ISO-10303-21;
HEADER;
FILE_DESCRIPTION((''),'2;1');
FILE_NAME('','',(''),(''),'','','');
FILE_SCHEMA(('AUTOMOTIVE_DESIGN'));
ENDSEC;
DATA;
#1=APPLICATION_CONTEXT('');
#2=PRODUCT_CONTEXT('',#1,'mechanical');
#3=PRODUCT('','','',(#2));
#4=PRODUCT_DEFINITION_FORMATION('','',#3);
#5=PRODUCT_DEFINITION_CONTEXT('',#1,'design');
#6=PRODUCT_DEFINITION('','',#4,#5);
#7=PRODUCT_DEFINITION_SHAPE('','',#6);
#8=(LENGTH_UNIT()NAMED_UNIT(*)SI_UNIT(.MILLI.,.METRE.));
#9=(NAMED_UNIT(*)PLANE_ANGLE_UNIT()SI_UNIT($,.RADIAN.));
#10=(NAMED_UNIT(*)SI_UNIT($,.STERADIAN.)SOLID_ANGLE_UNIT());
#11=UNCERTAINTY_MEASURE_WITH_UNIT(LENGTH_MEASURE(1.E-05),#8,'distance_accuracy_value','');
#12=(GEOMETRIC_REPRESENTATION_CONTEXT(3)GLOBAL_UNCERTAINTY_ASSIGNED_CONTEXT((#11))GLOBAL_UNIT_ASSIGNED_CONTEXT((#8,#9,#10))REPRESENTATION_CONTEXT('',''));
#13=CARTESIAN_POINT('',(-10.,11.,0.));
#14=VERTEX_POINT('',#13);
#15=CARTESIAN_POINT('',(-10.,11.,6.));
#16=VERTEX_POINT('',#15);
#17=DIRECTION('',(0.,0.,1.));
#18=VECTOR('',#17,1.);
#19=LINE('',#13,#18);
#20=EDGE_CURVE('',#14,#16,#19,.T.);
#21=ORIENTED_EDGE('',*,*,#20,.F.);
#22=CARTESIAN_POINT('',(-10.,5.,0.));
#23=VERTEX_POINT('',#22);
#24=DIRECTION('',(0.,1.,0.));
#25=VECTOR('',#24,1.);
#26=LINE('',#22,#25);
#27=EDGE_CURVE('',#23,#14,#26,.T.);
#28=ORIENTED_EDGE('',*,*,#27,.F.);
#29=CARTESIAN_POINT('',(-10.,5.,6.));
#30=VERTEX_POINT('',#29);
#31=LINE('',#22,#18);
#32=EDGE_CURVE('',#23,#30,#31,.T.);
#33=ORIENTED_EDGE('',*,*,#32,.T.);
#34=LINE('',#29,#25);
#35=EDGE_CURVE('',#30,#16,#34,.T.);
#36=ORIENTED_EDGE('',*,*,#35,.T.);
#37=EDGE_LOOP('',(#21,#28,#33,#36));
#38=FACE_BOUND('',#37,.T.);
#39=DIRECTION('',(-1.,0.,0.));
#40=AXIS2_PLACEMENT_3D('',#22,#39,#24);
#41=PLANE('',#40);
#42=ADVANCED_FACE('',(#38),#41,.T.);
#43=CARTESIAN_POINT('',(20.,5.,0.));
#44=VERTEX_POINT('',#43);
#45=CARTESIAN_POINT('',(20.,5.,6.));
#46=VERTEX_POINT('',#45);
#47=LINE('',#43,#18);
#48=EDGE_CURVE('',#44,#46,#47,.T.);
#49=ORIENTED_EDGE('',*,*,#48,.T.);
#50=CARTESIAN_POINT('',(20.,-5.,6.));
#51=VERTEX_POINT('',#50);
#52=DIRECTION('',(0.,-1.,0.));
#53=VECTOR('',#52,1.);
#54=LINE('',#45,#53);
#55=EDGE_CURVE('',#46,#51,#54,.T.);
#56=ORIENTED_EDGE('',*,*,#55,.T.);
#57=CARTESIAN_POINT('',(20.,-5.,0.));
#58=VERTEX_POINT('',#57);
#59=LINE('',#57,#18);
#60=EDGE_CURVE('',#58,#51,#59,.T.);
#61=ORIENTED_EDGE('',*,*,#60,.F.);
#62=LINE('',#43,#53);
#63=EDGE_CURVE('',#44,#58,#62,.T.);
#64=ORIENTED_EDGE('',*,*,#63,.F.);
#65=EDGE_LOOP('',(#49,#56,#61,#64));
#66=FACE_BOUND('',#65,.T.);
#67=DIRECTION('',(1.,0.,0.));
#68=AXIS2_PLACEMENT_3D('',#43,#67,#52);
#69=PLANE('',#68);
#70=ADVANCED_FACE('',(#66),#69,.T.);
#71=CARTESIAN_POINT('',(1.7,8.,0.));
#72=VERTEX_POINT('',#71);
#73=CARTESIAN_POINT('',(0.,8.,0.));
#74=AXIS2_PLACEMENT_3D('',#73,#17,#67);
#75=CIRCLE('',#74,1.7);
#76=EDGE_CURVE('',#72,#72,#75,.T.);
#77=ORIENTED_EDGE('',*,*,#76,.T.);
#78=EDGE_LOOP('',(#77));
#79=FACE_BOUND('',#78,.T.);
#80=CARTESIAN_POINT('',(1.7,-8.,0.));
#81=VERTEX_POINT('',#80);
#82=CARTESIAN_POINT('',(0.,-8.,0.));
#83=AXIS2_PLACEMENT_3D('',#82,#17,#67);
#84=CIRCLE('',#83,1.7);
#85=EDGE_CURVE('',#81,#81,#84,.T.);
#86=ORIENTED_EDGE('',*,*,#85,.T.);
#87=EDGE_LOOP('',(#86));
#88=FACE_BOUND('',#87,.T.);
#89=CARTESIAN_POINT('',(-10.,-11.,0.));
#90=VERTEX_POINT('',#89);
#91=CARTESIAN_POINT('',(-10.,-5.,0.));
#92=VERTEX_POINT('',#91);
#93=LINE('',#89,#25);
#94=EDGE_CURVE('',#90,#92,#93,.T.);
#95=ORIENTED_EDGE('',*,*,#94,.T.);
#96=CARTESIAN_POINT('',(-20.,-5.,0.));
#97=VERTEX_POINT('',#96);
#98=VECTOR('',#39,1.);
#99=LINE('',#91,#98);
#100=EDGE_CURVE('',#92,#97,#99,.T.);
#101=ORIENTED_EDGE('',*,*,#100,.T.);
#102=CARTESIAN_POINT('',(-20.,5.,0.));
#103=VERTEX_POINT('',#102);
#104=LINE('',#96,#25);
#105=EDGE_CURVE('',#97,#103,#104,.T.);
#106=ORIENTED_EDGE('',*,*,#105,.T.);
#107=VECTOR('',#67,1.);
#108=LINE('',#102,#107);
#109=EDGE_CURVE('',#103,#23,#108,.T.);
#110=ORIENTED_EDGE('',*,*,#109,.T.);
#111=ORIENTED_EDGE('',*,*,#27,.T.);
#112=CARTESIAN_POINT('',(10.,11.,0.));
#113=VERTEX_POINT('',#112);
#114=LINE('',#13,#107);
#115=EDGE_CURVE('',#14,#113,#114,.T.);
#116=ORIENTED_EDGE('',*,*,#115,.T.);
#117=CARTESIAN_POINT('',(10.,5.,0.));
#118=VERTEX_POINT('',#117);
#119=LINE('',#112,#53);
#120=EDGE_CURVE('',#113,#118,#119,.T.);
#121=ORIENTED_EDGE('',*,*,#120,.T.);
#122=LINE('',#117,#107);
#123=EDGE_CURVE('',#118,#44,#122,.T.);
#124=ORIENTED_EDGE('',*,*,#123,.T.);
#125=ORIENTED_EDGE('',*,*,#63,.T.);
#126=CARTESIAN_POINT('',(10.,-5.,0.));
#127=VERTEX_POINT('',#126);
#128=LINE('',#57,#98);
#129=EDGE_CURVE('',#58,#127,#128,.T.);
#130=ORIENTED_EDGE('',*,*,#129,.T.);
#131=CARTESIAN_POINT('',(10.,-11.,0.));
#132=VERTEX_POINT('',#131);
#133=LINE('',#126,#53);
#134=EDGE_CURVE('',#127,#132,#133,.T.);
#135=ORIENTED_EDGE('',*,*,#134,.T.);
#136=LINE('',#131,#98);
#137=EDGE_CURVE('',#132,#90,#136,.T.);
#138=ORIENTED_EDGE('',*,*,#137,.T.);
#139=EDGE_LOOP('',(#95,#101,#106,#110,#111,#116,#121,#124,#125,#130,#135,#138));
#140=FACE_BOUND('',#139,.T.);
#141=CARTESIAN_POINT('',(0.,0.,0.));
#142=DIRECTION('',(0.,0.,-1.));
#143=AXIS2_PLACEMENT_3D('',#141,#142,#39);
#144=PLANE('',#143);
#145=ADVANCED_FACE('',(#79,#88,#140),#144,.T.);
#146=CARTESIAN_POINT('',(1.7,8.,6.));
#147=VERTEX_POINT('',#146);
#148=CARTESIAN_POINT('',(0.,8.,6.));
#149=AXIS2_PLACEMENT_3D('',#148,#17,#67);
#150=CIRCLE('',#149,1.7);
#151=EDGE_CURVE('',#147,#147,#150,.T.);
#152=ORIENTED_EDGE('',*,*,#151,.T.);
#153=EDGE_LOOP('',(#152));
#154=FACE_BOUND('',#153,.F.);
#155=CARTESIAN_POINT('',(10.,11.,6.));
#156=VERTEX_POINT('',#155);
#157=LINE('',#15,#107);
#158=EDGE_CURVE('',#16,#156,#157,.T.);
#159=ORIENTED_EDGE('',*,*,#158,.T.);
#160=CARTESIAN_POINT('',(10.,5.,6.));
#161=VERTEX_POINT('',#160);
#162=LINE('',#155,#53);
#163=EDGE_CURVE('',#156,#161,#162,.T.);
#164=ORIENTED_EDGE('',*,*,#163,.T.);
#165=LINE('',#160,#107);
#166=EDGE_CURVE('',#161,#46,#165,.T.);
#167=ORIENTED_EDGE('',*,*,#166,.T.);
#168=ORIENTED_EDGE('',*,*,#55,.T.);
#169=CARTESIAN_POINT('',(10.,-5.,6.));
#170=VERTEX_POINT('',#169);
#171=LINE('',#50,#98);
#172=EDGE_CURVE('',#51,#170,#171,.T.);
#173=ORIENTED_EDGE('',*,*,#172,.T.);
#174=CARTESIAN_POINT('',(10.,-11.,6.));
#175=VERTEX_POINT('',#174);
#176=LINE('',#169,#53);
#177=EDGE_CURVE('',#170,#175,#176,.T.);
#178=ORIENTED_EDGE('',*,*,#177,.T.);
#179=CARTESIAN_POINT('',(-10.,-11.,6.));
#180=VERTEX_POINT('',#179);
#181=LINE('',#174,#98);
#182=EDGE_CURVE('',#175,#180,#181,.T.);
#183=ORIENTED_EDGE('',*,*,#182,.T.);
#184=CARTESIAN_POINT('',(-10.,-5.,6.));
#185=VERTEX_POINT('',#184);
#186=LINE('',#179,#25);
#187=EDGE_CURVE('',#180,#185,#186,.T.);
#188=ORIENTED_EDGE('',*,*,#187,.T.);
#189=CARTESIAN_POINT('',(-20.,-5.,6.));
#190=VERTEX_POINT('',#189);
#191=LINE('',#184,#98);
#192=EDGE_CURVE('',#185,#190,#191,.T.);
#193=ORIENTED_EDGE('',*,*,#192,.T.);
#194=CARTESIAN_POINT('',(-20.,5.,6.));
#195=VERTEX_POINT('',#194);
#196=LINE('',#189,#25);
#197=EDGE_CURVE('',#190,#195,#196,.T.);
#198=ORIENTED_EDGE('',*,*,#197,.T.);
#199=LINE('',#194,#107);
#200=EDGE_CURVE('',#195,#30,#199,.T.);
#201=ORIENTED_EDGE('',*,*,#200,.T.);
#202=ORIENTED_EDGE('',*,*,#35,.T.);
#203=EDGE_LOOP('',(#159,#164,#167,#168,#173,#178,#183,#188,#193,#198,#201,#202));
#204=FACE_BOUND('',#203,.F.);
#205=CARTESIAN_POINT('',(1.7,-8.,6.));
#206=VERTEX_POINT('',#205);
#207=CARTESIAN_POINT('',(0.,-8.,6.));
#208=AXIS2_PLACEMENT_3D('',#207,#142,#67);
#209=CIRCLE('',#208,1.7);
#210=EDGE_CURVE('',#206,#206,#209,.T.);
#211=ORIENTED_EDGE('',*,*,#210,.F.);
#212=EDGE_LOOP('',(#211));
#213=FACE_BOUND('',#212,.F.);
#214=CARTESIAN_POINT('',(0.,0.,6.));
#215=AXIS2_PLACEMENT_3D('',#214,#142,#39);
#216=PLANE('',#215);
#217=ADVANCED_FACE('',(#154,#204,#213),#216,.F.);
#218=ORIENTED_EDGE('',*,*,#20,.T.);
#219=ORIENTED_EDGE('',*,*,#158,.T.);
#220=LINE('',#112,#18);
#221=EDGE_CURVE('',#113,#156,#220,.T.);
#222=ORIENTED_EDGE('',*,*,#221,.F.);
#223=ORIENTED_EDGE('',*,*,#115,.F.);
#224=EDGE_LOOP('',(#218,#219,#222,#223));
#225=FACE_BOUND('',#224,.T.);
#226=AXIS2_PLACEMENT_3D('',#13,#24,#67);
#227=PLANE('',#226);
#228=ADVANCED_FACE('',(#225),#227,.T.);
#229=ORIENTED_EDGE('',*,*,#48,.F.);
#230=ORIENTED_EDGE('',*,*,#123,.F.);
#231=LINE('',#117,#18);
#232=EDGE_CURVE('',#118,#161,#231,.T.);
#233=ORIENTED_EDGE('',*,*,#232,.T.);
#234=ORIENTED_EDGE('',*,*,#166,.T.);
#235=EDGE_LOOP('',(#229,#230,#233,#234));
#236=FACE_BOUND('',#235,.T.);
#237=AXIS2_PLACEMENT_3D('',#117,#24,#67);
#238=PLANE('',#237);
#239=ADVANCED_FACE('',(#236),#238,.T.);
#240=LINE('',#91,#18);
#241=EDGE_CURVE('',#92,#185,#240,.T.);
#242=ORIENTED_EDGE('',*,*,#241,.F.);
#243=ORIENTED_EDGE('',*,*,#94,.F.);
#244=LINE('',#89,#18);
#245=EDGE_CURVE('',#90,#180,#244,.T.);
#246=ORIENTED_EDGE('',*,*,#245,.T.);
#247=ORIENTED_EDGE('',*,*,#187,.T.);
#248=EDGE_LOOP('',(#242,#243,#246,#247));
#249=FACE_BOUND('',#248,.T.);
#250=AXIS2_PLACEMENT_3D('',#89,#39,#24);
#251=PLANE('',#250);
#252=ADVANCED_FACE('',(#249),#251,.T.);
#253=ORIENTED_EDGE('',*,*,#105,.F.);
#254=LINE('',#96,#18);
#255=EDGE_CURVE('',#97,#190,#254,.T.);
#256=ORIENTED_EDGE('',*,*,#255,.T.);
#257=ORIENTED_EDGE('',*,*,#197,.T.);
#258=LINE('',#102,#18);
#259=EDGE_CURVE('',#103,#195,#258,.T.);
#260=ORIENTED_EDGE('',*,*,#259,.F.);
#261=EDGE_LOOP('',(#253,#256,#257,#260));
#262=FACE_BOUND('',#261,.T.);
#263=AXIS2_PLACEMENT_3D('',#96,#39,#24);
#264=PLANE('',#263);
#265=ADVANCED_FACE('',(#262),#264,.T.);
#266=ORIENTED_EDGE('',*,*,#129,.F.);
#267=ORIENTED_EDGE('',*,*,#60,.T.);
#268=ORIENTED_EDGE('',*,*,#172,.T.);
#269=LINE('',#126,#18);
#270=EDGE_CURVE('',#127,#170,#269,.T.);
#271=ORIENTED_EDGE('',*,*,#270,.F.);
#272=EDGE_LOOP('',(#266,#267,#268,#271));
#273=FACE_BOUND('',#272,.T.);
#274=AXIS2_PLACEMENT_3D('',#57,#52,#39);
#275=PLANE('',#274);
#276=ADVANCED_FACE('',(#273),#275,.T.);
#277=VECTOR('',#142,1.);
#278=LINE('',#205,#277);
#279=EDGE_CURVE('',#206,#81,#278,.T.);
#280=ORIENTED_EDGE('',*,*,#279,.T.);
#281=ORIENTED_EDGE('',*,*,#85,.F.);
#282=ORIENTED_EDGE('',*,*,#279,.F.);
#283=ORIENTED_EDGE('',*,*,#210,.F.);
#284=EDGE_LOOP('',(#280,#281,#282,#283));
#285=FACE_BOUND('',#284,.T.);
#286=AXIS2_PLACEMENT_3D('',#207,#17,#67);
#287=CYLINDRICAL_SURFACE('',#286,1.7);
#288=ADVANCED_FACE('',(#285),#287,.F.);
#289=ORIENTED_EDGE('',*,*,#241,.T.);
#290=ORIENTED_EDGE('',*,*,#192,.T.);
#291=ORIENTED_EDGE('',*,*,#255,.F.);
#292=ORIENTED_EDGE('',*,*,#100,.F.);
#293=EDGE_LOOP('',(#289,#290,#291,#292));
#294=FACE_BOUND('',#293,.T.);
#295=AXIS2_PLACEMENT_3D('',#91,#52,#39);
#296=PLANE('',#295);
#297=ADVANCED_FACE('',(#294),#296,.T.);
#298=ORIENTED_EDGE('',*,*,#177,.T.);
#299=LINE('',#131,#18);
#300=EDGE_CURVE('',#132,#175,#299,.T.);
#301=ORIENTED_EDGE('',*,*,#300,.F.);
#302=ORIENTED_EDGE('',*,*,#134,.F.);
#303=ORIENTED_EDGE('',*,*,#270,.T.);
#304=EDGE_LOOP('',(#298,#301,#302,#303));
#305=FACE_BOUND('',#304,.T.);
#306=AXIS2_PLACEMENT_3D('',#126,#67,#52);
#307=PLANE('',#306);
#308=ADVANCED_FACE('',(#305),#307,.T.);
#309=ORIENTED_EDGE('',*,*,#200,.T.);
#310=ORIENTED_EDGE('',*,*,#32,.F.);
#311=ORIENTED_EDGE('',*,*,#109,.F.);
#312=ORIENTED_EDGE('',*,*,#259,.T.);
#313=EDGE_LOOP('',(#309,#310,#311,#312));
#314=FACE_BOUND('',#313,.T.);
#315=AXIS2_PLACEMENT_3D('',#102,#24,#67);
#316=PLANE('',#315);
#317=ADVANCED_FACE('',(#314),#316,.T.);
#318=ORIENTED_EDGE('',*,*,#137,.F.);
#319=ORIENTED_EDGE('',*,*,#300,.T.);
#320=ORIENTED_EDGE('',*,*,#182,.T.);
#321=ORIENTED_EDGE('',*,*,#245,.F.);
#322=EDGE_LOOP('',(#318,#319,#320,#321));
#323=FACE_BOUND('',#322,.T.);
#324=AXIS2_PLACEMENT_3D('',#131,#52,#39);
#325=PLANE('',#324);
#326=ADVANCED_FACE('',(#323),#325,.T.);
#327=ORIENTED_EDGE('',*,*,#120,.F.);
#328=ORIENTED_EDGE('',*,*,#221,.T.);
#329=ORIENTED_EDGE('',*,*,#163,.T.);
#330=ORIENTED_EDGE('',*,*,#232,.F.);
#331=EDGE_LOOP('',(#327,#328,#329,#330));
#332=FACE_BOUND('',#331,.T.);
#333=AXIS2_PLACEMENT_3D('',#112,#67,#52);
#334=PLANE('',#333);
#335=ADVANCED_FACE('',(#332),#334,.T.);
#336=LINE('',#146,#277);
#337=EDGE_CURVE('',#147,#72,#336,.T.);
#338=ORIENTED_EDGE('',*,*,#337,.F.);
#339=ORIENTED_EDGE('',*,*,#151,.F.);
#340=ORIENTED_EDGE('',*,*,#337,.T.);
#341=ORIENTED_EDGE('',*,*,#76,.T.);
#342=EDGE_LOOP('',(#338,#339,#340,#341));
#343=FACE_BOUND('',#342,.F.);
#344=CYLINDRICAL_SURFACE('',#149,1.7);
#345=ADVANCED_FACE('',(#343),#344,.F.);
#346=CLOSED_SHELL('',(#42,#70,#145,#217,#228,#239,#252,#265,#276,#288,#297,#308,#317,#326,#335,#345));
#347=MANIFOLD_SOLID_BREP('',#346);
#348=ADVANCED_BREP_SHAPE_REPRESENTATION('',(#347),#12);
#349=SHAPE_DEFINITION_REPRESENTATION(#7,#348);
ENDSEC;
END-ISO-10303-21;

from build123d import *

# Parameters (mm, degrees)
PAD_DEPTH    = 6
SKETCH001_R  = 1.7
POCKET_DEPTH = 98.087915


with BuildPart() as part:
    # Sketch → Pad (new body)
    with BuildSketch(Plane.XY):
        Polygon((-20, -5), (-20, 5), (-10, 5), (-10, 11), (10, 11), (10, 5), (20, 5), (20, -5), (10, -5), (10, -11), (-10, -11), (-10, -5), align=None)
    extrude(amount=PAD_DEPTH)

    # Sketch001 (on Face14 of Pad) → Pocket (cut, through all)
    with BuildSketch(Plane.XY.offset(6)):
        with Locations((0, 8)):
            Circle(SKETCH001_R)
    pocket = extrude(amount=-POCKET_DEPTH, mode=Mode.SUBTRACT)

    # Mirrored: Pocket across Sketch001 H_Axis
    add(pocket.mirror(Plane(origin=(0, 0, 6), x_dir=(0, 0, 1), z_dir=(0, 1, 0))), mode=Mode.SUBTRACT)


solid = part.part
